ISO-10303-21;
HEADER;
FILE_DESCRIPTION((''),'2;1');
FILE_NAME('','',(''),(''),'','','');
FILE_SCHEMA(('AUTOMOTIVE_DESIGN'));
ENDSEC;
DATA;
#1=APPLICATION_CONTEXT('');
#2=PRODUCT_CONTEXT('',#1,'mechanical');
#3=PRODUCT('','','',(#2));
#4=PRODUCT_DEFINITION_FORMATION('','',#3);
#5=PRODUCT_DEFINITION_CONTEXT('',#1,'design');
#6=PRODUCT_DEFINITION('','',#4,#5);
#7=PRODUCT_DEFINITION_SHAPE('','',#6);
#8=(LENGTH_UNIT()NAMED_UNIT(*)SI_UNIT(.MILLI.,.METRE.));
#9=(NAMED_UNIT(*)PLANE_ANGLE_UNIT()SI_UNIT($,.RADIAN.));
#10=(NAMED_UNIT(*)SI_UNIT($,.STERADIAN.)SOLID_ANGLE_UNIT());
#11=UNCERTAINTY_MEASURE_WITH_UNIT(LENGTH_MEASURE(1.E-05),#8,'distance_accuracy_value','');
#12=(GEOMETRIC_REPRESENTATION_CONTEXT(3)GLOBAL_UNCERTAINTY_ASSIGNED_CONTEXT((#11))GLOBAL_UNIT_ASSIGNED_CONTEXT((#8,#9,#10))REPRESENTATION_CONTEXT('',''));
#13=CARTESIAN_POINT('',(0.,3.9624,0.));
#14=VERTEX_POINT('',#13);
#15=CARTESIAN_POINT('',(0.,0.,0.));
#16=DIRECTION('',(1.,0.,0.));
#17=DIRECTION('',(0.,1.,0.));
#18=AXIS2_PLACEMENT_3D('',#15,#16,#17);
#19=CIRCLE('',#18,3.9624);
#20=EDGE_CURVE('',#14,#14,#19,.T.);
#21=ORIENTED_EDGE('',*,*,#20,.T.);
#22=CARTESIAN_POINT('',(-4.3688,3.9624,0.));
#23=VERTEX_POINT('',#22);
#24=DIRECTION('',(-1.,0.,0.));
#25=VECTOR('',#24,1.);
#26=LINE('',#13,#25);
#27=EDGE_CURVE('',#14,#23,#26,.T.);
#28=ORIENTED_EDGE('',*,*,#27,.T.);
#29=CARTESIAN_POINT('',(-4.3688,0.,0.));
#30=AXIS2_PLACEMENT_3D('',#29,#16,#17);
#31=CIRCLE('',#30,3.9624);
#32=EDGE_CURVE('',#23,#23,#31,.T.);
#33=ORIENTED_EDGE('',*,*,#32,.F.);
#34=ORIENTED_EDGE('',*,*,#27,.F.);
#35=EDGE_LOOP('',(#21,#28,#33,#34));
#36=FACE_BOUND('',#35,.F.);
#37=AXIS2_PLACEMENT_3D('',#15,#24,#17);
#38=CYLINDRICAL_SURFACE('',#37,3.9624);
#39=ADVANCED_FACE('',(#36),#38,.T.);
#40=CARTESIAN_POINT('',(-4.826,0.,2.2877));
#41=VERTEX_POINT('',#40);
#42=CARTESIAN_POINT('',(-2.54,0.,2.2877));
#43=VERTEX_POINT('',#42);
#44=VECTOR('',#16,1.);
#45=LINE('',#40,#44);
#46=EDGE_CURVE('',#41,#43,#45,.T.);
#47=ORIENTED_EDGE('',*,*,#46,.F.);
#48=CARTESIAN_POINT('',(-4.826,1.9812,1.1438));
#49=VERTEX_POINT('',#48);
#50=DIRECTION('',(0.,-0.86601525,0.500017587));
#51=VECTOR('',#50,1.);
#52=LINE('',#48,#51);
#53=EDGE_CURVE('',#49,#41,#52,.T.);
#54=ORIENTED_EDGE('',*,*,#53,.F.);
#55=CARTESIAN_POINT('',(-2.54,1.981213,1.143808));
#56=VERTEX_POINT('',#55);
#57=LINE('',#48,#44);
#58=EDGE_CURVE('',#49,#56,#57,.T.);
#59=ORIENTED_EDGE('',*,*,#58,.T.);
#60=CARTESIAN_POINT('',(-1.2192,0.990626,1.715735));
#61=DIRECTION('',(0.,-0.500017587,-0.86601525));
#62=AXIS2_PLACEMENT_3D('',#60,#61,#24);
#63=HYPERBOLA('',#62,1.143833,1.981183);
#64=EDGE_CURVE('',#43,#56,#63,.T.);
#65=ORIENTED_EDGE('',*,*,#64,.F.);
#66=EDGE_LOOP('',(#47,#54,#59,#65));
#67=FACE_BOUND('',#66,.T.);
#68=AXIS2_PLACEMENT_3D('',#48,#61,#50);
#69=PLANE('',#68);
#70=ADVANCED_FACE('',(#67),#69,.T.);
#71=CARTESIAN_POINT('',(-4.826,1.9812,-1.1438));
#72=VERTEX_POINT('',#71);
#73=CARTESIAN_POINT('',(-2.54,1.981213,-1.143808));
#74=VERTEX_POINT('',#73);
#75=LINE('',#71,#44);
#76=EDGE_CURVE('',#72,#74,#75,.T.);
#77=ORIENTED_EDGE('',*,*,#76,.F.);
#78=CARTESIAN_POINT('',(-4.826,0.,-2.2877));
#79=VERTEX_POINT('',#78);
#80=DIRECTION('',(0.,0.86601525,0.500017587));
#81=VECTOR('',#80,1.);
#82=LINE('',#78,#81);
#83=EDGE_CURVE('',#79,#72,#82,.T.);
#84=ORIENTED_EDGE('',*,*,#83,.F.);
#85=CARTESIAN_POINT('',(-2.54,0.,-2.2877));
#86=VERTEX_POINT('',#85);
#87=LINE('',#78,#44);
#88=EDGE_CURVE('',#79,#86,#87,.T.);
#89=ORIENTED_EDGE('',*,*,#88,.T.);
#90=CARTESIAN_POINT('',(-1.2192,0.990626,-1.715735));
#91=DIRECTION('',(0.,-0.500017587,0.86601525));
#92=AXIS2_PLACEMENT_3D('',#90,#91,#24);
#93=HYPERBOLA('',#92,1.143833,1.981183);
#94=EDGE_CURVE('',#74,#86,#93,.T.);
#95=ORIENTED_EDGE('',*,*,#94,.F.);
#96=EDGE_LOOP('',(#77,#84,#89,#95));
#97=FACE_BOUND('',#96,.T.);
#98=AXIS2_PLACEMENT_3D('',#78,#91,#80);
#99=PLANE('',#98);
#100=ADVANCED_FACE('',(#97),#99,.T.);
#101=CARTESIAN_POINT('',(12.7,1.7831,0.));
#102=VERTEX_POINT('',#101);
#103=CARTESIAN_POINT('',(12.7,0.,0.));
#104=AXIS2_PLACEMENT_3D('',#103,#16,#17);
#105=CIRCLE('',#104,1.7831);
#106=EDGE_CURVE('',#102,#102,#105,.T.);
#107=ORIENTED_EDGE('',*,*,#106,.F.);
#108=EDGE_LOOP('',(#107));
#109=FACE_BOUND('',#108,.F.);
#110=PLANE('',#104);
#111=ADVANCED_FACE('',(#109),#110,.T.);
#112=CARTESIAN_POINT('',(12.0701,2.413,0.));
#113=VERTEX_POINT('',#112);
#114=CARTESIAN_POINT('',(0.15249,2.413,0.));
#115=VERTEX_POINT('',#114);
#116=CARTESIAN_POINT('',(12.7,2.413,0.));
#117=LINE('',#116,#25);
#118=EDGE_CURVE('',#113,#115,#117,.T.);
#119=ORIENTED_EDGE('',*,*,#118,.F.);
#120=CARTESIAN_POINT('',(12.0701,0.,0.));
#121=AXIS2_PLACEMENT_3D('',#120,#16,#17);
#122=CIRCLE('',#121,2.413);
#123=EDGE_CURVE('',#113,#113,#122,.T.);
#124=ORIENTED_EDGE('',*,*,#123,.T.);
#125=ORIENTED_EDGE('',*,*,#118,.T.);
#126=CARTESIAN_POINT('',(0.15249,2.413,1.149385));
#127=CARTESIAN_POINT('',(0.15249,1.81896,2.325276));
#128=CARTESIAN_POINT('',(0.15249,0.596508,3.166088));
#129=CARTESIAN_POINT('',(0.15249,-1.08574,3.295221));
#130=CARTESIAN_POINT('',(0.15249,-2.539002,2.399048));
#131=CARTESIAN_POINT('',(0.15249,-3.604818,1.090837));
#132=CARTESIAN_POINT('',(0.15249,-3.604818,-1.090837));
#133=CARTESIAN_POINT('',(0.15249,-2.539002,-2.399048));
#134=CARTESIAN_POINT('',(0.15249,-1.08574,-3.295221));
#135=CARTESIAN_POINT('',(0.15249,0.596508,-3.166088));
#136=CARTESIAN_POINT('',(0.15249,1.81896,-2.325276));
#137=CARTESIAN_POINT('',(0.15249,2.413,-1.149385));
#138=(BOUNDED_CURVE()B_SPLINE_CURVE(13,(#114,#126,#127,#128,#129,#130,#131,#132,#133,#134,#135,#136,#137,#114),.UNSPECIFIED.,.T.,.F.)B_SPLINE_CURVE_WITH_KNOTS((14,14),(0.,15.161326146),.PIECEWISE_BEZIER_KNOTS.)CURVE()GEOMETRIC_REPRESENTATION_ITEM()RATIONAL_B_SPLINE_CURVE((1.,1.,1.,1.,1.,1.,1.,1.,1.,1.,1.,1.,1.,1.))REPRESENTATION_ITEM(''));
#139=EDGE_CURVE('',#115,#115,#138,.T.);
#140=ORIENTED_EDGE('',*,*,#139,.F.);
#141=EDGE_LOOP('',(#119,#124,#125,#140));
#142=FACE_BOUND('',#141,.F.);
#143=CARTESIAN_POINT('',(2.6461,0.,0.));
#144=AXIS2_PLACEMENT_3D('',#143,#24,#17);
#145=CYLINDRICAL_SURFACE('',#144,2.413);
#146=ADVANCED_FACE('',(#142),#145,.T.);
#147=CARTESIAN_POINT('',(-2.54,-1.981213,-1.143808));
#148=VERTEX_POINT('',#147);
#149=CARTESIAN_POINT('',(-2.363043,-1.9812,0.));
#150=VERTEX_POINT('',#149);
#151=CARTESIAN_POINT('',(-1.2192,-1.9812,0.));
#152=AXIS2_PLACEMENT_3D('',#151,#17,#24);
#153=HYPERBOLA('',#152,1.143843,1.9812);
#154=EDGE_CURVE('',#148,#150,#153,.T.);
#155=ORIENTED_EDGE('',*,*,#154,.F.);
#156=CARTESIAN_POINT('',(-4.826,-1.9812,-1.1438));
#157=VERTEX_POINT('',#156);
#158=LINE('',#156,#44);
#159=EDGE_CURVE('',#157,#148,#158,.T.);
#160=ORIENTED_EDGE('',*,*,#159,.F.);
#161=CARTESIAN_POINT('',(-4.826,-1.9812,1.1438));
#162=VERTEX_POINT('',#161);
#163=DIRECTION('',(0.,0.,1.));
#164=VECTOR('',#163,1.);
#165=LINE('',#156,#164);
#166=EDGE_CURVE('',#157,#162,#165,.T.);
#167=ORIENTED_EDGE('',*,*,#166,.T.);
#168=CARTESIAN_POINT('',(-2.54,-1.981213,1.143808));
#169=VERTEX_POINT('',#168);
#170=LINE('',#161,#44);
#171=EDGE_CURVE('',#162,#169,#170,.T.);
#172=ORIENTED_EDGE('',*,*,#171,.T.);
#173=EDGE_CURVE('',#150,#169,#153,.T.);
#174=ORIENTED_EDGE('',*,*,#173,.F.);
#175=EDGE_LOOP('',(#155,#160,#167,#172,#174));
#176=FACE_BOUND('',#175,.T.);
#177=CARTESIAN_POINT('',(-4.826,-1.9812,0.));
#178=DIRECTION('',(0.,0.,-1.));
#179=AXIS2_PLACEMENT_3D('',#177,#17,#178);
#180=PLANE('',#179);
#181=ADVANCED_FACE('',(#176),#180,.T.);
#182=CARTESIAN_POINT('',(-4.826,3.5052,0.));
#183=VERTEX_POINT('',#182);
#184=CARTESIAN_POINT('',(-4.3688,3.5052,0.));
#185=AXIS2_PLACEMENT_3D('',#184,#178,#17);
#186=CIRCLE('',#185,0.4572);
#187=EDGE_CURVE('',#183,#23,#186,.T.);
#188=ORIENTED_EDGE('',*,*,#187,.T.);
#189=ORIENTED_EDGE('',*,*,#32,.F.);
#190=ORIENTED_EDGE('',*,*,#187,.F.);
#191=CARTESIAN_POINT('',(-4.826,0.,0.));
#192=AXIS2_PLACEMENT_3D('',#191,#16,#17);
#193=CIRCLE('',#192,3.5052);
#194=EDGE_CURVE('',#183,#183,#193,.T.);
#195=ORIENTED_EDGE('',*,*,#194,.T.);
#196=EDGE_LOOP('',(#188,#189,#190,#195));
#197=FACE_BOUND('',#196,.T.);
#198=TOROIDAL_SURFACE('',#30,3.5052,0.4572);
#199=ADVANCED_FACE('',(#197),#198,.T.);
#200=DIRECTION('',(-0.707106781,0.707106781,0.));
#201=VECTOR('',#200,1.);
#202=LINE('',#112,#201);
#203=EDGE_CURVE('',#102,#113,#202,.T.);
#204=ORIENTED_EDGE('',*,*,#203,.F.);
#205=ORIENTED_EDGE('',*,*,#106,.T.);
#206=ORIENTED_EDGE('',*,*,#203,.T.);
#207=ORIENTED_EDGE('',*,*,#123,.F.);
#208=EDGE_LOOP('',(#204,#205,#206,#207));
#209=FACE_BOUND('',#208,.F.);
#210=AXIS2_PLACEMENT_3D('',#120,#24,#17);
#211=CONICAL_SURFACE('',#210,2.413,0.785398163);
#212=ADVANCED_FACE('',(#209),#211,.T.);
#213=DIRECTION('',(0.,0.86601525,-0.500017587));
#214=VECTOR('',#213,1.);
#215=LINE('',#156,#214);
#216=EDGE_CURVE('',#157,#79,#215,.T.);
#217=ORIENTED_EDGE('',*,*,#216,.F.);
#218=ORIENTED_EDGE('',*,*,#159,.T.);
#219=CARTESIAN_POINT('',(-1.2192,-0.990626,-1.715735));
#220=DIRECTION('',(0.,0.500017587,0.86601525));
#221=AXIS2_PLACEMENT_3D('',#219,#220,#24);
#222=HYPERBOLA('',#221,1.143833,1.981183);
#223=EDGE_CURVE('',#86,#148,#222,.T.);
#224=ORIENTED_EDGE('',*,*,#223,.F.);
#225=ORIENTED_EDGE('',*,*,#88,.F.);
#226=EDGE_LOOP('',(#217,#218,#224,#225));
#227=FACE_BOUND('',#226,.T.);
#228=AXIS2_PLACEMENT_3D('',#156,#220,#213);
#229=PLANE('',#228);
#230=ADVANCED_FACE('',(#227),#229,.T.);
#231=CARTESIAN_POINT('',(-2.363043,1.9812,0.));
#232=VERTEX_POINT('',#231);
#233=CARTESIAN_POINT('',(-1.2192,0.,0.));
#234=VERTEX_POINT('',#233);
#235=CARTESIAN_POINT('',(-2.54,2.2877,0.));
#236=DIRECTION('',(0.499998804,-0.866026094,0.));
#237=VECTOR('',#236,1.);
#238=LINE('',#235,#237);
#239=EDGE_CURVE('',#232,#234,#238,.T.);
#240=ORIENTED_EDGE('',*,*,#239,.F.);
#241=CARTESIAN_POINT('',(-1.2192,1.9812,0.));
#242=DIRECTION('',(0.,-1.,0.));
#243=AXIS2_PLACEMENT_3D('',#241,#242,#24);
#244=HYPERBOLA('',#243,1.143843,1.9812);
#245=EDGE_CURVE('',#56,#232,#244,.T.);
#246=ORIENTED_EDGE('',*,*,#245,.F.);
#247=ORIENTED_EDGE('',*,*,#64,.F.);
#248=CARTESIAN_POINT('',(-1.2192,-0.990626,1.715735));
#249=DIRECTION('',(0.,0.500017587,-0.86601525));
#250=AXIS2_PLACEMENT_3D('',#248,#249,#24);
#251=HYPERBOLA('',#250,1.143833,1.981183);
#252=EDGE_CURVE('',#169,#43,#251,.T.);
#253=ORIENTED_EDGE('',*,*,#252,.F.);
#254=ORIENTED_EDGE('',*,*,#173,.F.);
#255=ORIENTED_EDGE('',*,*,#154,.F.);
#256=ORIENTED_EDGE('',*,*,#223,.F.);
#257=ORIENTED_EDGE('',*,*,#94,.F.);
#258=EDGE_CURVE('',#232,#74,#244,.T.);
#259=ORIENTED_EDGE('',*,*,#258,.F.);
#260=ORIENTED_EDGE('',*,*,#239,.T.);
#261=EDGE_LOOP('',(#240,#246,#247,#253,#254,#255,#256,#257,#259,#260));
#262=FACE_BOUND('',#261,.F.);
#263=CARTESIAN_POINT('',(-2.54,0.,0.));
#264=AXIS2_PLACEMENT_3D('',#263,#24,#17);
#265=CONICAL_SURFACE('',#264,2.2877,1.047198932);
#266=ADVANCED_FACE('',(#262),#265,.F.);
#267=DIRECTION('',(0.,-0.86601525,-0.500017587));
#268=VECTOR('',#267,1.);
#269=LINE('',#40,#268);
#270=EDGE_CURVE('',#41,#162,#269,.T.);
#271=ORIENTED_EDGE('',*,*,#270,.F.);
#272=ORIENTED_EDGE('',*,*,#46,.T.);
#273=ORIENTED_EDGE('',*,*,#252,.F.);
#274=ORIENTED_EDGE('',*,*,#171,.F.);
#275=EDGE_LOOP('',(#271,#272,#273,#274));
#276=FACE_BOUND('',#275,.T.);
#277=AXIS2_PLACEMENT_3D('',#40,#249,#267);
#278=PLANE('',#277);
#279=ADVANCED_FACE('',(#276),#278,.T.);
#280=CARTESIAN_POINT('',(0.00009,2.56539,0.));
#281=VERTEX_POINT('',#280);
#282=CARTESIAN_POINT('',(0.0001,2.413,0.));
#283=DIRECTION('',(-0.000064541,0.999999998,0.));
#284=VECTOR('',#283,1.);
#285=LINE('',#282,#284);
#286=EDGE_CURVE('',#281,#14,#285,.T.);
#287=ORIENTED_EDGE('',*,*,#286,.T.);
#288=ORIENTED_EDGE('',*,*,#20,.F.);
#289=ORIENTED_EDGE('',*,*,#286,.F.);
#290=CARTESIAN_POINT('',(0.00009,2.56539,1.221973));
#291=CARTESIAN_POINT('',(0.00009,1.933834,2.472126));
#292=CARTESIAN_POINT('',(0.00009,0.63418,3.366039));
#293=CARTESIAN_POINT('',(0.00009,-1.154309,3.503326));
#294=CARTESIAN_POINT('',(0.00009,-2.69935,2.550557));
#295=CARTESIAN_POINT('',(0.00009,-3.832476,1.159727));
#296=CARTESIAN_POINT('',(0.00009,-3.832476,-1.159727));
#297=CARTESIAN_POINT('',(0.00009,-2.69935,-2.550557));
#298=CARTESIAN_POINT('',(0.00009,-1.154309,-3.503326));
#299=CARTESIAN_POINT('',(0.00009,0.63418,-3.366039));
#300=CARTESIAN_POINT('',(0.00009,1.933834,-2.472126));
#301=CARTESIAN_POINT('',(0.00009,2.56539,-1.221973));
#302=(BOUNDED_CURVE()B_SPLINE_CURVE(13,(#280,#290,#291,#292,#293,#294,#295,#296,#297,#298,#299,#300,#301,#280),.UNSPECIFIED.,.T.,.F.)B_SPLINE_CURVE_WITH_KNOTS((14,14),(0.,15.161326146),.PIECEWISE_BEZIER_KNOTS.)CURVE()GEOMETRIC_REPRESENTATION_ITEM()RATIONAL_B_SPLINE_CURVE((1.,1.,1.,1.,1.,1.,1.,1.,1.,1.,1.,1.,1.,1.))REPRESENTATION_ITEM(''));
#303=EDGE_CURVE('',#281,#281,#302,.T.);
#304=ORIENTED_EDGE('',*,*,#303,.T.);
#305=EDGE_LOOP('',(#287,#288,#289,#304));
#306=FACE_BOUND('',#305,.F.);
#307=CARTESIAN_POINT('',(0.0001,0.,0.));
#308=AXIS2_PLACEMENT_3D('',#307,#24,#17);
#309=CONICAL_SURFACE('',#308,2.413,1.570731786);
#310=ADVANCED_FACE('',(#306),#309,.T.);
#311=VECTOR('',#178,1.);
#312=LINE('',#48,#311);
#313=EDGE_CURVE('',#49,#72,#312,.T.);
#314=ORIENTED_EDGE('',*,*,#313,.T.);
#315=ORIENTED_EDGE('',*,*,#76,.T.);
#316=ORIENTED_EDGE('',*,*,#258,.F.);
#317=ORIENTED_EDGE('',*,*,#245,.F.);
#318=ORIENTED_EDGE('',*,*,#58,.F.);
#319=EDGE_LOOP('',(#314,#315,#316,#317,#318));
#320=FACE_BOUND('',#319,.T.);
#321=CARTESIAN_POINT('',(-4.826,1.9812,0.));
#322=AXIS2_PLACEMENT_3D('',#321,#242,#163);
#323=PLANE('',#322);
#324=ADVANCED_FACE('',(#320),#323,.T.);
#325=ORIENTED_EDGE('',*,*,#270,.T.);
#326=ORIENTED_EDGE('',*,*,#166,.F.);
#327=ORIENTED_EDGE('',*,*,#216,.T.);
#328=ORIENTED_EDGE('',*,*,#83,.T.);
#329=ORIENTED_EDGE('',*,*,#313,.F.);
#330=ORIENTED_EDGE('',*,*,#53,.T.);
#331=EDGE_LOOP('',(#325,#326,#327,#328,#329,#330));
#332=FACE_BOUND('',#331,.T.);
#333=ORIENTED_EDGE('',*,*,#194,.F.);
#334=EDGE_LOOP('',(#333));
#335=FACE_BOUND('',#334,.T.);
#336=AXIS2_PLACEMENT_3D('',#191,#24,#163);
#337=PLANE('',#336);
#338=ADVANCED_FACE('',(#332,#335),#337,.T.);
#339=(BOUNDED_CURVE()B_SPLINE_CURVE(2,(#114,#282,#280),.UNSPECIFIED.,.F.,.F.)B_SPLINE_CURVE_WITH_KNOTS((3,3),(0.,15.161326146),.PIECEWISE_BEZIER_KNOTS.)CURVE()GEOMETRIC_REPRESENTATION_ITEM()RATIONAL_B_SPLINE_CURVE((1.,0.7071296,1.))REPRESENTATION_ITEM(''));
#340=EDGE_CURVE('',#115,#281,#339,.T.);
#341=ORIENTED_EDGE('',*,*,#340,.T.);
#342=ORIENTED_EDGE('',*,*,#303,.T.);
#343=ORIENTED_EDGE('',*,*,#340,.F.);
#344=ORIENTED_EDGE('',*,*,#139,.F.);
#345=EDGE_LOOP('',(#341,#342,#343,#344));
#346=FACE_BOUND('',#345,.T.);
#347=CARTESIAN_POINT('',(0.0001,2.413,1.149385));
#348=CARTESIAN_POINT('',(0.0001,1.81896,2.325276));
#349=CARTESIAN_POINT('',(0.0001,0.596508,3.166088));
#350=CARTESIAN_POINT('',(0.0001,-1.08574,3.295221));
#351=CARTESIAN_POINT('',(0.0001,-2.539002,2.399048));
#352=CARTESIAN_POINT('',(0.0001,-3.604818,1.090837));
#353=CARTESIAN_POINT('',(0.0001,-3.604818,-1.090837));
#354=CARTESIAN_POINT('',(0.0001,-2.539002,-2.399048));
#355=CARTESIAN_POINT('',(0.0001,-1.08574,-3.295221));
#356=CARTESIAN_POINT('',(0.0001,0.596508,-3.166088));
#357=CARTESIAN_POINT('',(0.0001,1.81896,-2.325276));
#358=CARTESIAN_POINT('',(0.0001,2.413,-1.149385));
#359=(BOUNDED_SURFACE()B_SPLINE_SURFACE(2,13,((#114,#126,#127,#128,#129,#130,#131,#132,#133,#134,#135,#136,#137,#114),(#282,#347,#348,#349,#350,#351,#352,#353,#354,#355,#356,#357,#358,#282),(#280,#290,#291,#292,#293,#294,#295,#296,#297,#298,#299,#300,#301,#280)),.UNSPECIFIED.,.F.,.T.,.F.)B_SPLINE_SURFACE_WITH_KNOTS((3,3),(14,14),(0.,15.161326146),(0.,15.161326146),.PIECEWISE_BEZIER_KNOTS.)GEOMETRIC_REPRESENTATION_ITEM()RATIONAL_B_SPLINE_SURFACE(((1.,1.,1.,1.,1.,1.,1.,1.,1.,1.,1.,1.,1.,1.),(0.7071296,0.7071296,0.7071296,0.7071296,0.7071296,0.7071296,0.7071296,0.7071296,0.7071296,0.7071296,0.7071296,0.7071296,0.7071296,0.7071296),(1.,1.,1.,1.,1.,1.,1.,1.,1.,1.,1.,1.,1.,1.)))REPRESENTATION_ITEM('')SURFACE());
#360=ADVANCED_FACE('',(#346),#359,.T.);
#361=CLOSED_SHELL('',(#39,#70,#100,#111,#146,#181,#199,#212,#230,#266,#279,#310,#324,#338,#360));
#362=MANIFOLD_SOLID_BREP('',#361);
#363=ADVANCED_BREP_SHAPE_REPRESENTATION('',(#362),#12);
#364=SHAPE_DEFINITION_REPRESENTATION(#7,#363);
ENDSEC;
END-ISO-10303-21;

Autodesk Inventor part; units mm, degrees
ref_plane "YZ Plane" through (0, 0, 0) normal (1, 0, 0) x (0, 1, 0)
ref_plane "XZ Plane" through (0, 0, 0) normal (0, 1, 0) x (-1, 0, 0)
sketch "Sketch1" plane through (0, 0, 0) normal (0, 0, 1) x (1, 0, 0)
  line L0 (-1.2192, 0) -> (12.7, 0)
  line L1 (12.7, 0) -> (12.7, 2.413)
  line L2 (12.7, 2.413) -> (2.6461, 2.413)
  line L3 (2.6461, 2.413) -> (0.0001, 2.413)
  line L4 (0.0001, 2.413) -> (0, 2.413)
  line L5 (0, 2.413) -> (0, 3.9624)
  line L6 (0, 3.9624) -> (-4.826, 3.9624)
  line L7 (-4.826, 3.9624) -> (-4.826, 2.2877)
  line L8 (-4.826, 2.2877) -> (-2.54, 2.2877)
  line L9 (-2.54, 2.2877) -> (-1.2192, 0)
  line L10 (-8.3312, 0) -> (16.2052, 0) projected
  line L11 (0, -0.7925) -> (0, 4.7549) projected
  line L12 (2.6461, 2.413) -> (0, 2.413) construction
  dimension "d1" = 10.0539
  dimension "d2" = 2.646
  dimension "d3" = 4.826
  dimension "d4" = 2.286
  dimension "d5" = 60
  dimension "d6" = 4.826
  dimension "d7" = 4.826
  dimension "d8" = 4.5754
  dimension "d9" = 7.9248
  dimension "d26" = 12.7
revolve "Body" add sketch "Sketch1" angle 360 about axis through (-1.2192, 0, 0) along (1, 0, 0)
sketch "Sketch2" plane through (-4.826, 0, 0) normal (-1, 0, 0) x (0, 0, 1)
  circle A0 centre (0, 0) radius 2.2877 projected
  line L0 (0, -5.5474) -> (0, 5.5474) projected
  line L1 (-5.5474, 0) -> (5.5474, 0) projected
  line L2 (2.2877, 0) -> (1.1438, -1.9812)
  line L3 (1.1438, -1.9812) -> (-1.1438, -1.9812)
  line L4 (-1.1438, -1.9812) -> (-2.2877, 0)
  line L5 (-2.2877, 0) -> (-1.1438, 1.9812)
  line L6 (-1.1438, 1.9812) -> (1.1438, 1.9812)
  line L7 (1.1438, 1.9812) -> (2.2877, 0)
extrude "Slot" add sketch "Sketch2" against normal up to next contours L7 A0 | A0 L2 | L6 L0 A0 | A0 L0 L3 | L0 L6 A0 | A0 L3 L0 | L4 A0 | A0 L5
fillet "Fillet1" radius 0.4572 1 edges at (-4.826, -3.9624, 0)
thread "Thread" size "10-24 UNC" class "2A" standard "ANSI Unified Screw Threads" length 10.0539
chamfer "Chamfer1" distance 0.6299 distance2 0.6299 1 edges at (12.7, -2.413, 0) measured on face at (12.7, -0.2852, -0.7521)
ref_plane "Work Plane1" through (29, 0, 0) normal (0, -1, 0) x (1, 0, 0)
fillet "Fillet2" radius 0.1524 1 edges at (0.0001, -2.413, 0)
equation "\"d1\" = GEL"
equation "\"d3\" = KOH"
equation "\"d4\" = INTI"
equation "\"d6\" = GD"
equation "\"d7\" = BDM"
equation "\"d8\" = 1.1547 * SW"
equation "\"d9\" = KOD"
equation "\"d26\" = NLG"
equation "\"d30\" = R"
equation "\"d17\" = RR"
equation "\"d13\" = GEL"
equation "\"d15\" = -0.5 * SPD + 0.5 * GD"
equation "\"d16\" = GUL"
equation "\"GD\" = 4.826"
equation "\"NLG\" = 12.7"
equation "\"GEL\" = 10.05388"
equation "\"KOD\" = 7.9248"
equation "\"KOH\" = 4.826"
equation "\"INTI\" = 2.286"
equation "\"GAL\" = 2.64592"
equation "\"GUL\" = 0.62992"
equation "\"BDM\" = 4.826"
equation "\"SW\" = 3.9624"
equation "\"RR\" = 0.4572"
equation "\"SPD\" = 3.56616"
equation "\"R\" = 0.1524"
equation "\"PHH\" = 0.127"
equation "\"GD1\" = SPD"
equation "\"THREADDIA\" = 4.826"
equation "\"FAWI\" = 45deg"
equation "\"KOH1\" = 4.3434"
equation "\"NND\" = 4.826"
equation "\"TOA\" = 30deg"
equation "\"E0\" = 1.155 * SW"
properties part number "ANSI B18.3 - No. 10 - 24 UNC - 1/2 HS HCS" material "Steel, Mild"
